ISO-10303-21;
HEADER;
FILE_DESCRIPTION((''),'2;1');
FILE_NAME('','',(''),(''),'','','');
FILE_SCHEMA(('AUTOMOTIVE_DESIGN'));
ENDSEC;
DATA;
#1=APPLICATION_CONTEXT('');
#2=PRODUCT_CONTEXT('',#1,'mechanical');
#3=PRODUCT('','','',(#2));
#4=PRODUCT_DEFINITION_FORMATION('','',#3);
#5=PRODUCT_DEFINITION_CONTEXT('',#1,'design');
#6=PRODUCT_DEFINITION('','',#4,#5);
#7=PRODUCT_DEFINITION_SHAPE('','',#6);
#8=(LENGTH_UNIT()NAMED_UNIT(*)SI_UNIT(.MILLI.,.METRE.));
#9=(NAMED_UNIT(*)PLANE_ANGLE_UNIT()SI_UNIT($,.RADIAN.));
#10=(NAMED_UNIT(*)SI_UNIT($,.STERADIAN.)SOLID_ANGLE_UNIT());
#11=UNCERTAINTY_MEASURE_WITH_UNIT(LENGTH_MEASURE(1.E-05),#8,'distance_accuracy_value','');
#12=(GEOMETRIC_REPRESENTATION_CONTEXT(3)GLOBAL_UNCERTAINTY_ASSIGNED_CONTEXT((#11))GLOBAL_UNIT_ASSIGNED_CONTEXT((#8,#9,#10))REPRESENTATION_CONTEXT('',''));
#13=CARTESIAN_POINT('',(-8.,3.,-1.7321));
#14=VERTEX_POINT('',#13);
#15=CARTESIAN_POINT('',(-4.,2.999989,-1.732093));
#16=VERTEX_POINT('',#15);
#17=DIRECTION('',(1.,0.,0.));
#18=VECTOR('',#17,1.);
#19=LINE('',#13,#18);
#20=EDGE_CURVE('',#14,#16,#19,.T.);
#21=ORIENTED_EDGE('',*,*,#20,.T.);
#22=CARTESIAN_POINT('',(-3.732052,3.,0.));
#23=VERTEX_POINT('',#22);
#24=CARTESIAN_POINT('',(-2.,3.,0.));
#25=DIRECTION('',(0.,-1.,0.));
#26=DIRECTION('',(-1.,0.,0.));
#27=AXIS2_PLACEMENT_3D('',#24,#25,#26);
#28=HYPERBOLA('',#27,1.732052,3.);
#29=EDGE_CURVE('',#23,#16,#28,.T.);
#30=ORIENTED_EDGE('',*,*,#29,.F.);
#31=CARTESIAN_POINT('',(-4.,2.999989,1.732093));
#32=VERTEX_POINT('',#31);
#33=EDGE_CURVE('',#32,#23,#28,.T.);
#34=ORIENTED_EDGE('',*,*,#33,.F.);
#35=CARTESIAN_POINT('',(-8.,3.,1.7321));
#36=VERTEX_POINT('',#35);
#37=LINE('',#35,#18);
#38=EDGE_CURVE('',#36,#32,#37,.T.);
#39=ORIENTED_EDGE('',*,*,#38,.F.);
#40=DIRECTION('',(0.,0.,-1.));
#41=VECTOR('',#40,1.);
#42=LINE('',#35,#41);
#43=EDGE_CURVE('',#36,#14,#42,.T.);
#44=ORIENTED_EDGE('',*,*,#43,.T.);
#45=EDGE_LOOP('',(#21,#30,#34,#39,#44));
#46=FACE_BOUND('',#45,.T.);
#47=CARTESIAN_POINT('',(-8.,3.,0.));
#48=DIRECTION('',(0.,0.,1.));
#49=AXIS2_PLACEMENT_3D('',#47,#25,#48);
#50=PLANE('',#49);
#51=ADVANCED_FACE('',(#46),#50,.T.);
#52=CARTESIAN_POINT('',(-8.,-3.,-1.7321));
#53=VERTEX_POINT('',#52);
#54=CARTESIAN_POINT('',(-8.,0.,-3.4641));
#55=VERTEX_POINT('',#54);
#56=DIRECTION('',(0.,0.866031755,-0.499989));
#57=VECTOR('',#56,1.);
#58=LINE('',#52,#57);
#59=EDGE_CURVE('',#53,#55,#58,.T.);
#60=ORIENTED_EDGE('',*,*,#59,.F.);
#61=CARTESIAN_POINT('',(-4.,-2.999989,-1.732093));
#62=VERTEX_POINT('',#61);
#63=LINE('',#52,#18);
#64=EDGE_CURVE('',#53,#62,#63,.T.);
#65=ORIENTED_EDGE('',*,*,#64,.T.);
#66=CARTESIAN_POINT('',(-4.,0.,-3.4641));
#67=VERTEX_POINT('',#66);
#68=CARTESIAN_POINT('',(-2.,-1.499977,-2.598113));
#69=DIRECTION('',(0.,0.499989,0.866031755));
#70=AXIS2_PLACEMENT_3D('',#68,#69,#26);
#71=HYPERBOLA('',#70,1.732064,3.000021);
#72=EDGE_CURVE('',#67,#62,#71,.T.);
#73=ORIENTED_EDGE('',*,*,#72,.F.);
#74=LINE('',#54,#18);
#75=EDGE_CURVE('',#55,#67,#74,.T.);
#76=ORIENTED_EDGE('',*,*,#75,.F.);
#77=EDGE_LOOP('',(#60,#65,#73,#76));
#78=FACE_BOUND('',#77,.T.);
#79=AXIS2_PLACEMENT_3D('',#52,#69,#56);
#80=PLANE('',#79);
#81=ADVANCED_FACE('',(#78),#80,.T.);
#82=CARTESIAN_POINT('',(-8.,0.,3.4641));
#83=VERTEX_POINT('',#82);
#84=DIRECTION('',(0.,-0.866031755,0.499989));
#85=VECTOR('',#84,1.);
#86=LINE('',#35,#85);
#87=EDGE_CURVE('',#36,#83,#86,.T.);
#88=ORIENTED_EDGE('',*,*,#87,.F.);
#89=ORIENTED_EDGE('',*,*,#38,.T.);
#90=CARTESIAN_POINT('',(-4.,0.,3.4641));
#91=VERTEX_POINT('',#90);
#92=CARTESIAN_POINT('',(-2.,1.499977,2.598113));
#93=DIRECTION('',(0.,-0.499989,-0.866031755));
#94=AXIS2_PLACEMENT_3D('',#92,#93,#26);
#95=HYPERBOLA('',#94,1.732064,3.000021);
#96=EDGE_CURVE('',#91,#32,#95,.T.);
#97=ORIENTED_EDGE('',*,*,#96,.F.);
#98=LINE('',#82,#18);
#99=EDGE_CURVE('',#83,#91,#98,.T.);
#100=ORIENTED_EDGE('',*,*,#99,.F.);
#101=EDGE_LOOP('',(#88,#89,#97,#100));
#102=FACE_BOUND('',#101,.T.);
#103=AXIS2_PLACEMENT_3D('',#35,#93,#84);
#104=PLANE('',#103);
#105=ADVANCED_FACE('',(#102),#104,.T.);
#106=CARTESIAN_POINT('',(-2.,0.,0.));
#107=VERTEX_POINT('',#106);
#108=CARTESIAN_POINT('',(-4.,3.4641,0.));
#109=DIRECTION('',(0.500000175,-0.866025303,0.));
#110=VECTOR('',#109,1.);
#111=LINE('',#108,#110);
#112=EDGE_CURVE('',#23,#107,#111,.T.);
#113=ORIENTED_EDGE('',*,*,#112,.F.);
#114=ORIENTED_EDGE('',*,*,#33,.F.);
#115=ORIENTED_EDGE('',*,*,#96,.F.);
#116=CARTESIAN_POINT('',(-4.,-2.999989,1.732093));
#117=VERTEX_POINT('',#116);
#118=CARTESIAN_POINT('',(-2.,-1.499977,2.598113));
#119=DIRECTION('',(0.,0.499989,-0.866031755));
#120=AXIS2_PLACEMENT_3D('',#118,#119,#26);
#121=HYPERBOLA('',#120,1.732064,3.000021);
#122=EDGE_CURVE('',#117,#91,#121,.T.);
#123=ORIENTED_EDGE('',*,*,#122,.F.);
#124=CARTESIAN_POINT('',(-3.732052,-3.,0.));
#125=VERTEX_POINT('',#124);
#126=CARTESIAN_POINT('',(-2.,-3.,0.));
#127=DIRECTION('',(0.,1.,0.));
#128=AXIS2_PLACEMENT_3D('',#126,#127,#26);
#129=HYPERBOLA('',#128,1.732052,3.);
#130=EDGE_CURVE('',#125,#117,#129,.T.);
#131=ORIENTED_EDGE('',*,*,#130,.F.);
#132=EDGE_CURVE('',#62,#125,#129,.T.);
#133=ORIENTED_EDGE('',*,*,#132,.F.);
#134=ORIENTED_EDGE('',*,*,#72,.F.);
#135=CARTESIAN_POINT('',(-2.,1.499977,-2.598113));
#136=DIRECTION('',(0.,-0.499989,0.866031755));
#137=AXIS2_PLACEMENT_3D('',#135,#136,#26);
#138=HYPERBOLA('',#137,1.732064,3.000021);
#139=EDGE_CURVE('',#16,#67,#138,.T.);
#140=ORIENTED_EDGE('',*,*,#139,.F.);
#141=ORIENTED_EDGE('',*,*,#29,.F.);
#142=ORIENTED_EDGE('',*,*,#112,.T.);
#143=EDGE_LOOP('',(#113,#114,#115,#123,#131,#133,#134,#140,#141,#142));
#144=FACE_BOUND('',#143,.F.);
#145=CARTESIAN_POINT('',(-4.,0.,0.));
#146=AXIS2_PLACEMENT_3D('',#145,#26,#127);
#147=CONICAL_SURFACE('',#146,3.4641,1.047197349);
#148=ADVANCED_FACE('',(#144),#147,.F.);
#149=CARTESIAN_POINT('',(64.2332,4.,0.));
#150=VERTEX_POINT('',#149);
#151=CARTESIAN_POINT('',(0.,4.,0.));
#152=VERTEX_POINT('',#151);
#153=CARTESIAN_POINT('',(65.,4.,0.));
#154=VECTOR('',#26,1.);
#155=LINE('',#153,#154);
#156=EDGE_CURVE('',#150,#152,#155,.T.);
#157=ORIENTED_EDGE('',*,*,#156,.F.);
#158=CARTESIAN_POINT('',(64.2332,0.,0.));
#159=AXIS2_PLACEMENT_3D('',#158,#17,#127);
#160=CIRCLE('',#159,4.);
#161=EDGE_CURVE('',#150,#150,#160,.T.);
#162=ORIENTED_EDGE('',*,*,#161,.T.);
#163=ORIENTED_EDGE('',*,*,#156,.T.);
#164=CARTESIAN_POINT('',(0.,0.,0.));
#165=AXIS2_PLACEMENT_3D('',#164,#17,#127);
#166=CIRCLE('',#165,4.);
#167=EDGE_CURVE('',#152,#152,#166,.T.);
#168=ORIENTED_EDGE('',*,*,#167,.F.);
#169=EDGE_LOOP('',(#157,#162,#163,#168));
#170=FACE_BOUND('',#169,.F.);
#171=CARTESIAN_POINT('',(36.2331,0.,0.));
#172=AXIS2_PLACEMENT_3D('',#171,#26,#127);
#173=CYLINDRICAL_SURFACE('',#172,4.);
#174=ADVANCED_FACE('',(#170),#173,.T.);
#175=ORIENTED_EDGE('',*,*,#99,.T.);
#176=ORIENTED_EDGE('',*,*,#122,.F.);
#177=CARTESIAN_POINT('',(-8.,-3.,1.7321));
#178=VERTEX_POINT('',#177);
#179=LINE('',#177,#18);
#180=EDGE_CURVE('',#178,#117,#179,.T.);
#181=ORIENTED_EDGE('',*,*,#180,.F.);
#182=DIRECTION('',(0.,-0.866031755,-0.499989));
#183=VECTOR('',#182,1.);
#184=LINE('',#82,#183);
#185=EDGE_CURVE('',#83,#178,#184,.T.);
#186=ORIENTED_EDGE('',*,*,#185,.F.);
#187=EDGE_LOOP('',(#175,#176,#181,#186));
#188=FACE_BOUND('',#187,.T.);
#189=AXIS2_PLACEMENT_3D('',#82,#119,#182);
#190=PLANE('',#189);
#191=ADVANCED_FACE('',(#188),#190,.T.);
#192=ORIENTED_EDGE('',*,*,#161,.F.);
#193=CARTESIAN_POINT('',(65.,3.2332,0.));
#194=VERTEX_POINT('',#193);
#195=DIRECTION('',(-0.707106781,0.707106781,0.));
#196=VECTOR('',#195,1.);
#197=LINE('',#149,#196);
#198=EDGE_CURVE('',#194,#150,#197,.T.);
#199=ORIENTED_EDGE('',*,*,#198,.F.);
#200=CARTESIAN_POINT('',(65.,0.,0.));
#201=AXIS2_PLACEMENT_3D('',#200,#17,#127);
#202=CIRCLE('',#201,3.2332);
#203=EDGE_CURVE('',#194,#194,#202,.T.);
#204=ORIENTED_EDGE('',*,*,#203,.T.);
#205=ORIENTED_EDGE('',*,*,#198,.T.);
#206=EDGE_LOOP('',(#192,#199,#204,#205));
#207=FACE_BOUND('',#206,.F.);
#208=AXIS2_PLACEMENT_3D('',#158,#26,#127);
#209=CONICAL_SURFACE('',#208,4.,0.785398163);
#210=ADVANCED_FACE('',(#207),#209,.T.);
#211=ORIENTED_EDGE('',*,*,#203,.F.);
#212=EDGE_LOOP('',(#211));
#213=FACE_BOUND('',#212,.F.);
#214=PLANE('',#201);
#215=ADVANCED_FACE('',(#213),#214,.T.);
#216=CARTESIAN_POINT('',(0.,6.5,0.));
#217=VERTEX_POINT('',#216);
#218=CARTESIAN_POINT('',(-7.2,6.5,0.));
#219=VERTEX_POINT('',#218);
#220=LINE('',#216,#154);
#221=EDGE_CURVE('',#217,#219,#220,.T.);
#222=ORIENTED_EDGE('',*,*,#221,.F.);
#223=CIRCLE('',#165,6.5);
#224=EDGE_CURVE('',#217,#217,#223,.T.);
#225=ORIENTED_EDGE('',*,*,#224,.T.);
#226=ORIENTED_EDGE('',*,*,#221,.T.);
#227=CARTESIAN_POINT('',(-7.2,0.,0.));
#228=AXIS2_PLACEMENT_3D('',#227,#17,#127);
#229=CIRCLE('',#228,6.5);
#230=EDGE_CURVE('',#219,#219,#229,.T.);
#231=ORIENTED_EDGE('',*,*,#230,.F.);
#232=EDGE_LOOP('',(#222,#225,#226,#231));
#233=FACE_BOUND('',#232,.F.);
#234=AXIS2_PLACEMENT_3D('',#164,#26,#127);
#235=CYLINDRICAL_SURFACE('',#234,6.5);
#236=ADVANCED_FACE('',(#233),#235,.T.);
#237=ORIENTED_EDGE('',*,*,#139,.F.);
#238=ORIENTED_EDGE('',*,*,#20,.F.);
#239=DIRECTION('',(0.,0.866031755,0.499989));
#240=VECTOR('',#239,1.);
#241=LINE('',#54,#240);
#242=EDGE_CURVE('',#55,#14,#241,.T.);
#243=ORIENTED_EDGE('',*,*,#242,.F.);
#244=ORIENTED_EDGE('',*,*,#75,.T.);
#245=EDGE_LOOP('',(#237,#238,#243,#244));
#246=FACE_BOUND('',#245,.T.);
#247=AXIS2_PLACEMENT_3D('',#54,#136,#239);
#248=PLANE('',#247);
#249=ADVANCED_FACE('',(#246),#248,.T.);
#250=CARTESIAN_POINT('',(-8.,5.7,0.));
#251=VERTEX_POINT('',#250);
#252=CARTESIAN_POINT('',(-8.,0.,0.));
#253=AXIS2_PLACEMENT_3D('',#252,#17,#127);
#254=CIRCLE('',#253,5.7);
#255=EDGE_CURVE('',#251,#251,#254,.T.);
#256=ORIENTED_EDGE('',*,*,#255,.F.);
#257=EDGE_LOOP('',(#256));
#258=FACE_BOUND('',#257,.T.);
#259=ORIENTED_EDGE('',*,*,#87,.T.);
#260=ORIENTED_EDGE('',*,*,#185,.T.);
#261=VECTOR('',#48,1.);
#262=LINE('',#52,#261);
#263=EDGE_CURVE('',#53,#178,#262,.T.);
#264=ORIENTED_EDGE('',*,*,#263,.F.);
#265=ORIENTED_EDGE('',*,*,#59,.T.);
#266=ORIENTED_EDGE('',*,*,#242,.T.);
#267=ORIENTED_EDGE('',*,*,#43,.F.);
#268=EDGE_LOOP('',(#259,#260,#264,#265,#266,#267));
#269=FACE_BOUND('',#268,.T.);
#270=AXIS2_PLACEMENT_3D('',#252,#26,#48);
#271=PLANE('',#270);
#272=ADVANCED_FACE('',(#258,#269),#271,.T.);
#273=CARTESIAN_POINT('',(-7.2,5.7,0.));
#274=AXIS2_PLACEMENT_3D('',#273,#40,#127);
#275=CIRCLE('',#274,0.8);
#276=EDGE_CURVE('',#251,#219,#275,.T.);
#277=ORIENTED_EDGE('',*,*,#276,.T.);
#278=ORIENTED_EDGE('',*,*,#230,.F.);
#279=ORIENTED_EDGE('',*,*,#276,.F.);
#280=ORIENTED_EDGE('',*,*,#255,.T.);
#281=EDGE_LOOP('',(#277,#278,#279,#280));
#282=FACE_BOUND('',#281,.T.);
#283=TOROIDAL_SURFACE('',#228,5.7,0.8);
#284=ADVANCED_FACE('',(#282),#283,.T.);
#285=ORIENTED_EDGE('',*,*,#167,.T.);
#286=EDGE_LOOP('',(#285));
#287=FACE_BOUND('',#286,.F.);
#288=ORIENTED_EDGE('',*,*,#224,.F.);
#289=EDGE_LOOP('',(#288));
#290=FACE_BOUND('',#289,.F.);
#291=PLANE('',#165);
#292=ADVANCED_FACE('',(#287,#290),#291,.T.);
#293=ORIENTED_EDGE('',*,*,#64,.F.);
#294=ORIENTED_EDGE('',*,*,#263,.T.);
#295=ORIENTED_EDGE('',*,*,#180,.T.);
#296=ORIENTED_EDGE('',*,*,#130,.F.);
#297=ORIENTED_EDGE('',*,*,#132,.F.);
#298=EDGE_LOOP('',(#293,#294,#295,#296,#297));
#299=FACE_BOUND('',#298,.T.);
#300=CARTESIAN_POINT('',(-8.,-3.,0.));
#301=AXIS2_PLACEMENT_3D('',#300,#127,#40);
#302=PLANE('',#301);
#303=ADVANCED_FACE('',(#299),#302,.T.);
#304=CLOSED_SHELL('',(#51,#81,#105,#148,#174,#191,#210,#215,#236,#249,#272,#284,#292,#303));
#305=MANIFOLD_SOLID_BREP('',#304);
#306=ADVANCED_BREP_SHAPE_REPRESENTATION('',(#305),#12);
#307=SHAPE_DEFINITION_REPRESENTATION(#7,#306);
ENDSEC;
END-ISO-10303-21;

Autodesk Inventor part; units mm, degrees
ref_plane "YZ Plane" through (0, 0, 0) normal (1, 0, 0) x (0, 1, 0)
ref_plane "XZ Plane" through (0, 0, 0) normal (0, 1, 0) x (-1, 0, 0)
sketch "Sketch1" plane through (0, 0, 0) normal (0, 0, 1) x (1, 0, 0)
  line L0 (-2, 0) -> (65, 0)
  line L1 (65, 0) -> (65, 4)
  line L2 (65, 4) -> (37, 4)
  line L3 (37, 4) -> (36.2331, 4)
  line L4 (36.2331, 4) -> (0, 4)
  line L5 (0, 4) -> (0, 6.5)
  line L6 (0, 6.5) -> (-8, 6.5)
  line L7 (-8, 6.5) -> (-8, 3.4641)
  line L8 (-8, 3.4641) -> (-4, 3.4641)
  line L9 (-4, 3.4641) -> (-2, 0)
  line L10 (-15.3, 0) -> (86.9, 0) projected
  line L11 (0, -0.65) -> (0, 8.45) projected
  line L12 (37, 4) -> (0, 4) construction
  dimension "d1" = 28
  dimension "d2" = 0.7669
  dimension "d3" = 8
  dimension "d4" = 4
  dimension "d5" = 60
  dimension "d6" = 8
  dimension "d7" = 8
  dimension "d8" = 6.9282
  dimension "d9" = 13
  dimension "d26" = 65
revolve "Body" add sketch "Sketch1" angle 360 about axis through (-2, 0, 0) along (1, 0, 0)
sketch "Sketch2" plane through (-8, 0, 0) normal (-1, 0, 0) x (0, 0, 1)
  circle A0 centre (0, 0) radius 3.4641 projected
  line L0 (0, -7.8) -> (0, 10.4) projected
  line L1 (-7.8, 0) -> (10.4, 0) projected
  line L2 (3.4641, 0) -> (1.7321, -3)
  line L3 (1.7321, -3) -> (-1.7321, -3)
  line L4 (-1.7321, -3) -> (-3.4641, 0)
  line L5 (-3.4641, 0) -> (-1.7321, 3)
  line L6 (-1.7321, 3) -> (1.7321, 3)
  line L7 (1.7321, 3) -> (3.4641, 0)
extrude "Slot" add sketch "Sketch2" against normal up to next contours L7 A0 | A0 L2 | L6 L0 A0 | A0 L0 L3 | L0 L6 A0 | A0 L3 L0 | L4 A0 | A0 L5
fillet "Fillet1" radius 0.8 1 edges at (-8, -6.5, 0)
thread "Thread" size "M8x1.25" class "6g" standard "ISO Metric profile" length 28
chamfer "Chamfer1" distance 0.7668 distance2 0.7668 1 edges at (65, -4, 0) measured on face at (65, -1.1806, -1.575)
ref_plane "Work Plane1" through (29, 0, 0) normal (0, -1, 0) x (1, 0, 0)
equation "\"d1\" = GEL"
equation "\"d3\" = KOH"
equation "\"d4\" = INTI"
equation "\"d6\" = GD"
equation "\"d7\" = BDM"
equation "\"d8\" = 1.1547 * SW"
equation "\"d9\" = KOD"
equation "\"d26\" = NLG"
equation "\"d17\" = RR"
equation "\"d13\" = GEL"
equation "\"d15\" = -0.5 * SPD + 0.5 * GD"
equation "\"d16\" = GUL"
equation "\"GD\" = 8"
equation "\"NLG\" = 65"
equation "\"GEL\" = 28"
equation "\"KOD\" = 13"
equation "\"KOH\" = 8"
equation "\"INTI\" = 4"
equation "\"GAL\" = 0.61345 * PTC"
equation "\"GUL\" = 0.61345 * PTC"
equation "\"BDM\" = NND"
equation "\"SW\" = 6"
equation "\"RR\" = 0.8"
equation "\"SPD\" = NND - 1.2269 * PTC"
equation "\"TOA\" = 30deg"
equation "\"GD1\" = THREADDIA - 1.2269 * PTC"
equation "\"THREADDIA\" = 8"
equation "\"FAWI\" = 45deg"
equation "\"PTC\" = 1.25"
equation "\"NND\" = 8"
equation "\"E0\" = 1.155 * SW"
properties part number "100021" material "Steel, Mild"
